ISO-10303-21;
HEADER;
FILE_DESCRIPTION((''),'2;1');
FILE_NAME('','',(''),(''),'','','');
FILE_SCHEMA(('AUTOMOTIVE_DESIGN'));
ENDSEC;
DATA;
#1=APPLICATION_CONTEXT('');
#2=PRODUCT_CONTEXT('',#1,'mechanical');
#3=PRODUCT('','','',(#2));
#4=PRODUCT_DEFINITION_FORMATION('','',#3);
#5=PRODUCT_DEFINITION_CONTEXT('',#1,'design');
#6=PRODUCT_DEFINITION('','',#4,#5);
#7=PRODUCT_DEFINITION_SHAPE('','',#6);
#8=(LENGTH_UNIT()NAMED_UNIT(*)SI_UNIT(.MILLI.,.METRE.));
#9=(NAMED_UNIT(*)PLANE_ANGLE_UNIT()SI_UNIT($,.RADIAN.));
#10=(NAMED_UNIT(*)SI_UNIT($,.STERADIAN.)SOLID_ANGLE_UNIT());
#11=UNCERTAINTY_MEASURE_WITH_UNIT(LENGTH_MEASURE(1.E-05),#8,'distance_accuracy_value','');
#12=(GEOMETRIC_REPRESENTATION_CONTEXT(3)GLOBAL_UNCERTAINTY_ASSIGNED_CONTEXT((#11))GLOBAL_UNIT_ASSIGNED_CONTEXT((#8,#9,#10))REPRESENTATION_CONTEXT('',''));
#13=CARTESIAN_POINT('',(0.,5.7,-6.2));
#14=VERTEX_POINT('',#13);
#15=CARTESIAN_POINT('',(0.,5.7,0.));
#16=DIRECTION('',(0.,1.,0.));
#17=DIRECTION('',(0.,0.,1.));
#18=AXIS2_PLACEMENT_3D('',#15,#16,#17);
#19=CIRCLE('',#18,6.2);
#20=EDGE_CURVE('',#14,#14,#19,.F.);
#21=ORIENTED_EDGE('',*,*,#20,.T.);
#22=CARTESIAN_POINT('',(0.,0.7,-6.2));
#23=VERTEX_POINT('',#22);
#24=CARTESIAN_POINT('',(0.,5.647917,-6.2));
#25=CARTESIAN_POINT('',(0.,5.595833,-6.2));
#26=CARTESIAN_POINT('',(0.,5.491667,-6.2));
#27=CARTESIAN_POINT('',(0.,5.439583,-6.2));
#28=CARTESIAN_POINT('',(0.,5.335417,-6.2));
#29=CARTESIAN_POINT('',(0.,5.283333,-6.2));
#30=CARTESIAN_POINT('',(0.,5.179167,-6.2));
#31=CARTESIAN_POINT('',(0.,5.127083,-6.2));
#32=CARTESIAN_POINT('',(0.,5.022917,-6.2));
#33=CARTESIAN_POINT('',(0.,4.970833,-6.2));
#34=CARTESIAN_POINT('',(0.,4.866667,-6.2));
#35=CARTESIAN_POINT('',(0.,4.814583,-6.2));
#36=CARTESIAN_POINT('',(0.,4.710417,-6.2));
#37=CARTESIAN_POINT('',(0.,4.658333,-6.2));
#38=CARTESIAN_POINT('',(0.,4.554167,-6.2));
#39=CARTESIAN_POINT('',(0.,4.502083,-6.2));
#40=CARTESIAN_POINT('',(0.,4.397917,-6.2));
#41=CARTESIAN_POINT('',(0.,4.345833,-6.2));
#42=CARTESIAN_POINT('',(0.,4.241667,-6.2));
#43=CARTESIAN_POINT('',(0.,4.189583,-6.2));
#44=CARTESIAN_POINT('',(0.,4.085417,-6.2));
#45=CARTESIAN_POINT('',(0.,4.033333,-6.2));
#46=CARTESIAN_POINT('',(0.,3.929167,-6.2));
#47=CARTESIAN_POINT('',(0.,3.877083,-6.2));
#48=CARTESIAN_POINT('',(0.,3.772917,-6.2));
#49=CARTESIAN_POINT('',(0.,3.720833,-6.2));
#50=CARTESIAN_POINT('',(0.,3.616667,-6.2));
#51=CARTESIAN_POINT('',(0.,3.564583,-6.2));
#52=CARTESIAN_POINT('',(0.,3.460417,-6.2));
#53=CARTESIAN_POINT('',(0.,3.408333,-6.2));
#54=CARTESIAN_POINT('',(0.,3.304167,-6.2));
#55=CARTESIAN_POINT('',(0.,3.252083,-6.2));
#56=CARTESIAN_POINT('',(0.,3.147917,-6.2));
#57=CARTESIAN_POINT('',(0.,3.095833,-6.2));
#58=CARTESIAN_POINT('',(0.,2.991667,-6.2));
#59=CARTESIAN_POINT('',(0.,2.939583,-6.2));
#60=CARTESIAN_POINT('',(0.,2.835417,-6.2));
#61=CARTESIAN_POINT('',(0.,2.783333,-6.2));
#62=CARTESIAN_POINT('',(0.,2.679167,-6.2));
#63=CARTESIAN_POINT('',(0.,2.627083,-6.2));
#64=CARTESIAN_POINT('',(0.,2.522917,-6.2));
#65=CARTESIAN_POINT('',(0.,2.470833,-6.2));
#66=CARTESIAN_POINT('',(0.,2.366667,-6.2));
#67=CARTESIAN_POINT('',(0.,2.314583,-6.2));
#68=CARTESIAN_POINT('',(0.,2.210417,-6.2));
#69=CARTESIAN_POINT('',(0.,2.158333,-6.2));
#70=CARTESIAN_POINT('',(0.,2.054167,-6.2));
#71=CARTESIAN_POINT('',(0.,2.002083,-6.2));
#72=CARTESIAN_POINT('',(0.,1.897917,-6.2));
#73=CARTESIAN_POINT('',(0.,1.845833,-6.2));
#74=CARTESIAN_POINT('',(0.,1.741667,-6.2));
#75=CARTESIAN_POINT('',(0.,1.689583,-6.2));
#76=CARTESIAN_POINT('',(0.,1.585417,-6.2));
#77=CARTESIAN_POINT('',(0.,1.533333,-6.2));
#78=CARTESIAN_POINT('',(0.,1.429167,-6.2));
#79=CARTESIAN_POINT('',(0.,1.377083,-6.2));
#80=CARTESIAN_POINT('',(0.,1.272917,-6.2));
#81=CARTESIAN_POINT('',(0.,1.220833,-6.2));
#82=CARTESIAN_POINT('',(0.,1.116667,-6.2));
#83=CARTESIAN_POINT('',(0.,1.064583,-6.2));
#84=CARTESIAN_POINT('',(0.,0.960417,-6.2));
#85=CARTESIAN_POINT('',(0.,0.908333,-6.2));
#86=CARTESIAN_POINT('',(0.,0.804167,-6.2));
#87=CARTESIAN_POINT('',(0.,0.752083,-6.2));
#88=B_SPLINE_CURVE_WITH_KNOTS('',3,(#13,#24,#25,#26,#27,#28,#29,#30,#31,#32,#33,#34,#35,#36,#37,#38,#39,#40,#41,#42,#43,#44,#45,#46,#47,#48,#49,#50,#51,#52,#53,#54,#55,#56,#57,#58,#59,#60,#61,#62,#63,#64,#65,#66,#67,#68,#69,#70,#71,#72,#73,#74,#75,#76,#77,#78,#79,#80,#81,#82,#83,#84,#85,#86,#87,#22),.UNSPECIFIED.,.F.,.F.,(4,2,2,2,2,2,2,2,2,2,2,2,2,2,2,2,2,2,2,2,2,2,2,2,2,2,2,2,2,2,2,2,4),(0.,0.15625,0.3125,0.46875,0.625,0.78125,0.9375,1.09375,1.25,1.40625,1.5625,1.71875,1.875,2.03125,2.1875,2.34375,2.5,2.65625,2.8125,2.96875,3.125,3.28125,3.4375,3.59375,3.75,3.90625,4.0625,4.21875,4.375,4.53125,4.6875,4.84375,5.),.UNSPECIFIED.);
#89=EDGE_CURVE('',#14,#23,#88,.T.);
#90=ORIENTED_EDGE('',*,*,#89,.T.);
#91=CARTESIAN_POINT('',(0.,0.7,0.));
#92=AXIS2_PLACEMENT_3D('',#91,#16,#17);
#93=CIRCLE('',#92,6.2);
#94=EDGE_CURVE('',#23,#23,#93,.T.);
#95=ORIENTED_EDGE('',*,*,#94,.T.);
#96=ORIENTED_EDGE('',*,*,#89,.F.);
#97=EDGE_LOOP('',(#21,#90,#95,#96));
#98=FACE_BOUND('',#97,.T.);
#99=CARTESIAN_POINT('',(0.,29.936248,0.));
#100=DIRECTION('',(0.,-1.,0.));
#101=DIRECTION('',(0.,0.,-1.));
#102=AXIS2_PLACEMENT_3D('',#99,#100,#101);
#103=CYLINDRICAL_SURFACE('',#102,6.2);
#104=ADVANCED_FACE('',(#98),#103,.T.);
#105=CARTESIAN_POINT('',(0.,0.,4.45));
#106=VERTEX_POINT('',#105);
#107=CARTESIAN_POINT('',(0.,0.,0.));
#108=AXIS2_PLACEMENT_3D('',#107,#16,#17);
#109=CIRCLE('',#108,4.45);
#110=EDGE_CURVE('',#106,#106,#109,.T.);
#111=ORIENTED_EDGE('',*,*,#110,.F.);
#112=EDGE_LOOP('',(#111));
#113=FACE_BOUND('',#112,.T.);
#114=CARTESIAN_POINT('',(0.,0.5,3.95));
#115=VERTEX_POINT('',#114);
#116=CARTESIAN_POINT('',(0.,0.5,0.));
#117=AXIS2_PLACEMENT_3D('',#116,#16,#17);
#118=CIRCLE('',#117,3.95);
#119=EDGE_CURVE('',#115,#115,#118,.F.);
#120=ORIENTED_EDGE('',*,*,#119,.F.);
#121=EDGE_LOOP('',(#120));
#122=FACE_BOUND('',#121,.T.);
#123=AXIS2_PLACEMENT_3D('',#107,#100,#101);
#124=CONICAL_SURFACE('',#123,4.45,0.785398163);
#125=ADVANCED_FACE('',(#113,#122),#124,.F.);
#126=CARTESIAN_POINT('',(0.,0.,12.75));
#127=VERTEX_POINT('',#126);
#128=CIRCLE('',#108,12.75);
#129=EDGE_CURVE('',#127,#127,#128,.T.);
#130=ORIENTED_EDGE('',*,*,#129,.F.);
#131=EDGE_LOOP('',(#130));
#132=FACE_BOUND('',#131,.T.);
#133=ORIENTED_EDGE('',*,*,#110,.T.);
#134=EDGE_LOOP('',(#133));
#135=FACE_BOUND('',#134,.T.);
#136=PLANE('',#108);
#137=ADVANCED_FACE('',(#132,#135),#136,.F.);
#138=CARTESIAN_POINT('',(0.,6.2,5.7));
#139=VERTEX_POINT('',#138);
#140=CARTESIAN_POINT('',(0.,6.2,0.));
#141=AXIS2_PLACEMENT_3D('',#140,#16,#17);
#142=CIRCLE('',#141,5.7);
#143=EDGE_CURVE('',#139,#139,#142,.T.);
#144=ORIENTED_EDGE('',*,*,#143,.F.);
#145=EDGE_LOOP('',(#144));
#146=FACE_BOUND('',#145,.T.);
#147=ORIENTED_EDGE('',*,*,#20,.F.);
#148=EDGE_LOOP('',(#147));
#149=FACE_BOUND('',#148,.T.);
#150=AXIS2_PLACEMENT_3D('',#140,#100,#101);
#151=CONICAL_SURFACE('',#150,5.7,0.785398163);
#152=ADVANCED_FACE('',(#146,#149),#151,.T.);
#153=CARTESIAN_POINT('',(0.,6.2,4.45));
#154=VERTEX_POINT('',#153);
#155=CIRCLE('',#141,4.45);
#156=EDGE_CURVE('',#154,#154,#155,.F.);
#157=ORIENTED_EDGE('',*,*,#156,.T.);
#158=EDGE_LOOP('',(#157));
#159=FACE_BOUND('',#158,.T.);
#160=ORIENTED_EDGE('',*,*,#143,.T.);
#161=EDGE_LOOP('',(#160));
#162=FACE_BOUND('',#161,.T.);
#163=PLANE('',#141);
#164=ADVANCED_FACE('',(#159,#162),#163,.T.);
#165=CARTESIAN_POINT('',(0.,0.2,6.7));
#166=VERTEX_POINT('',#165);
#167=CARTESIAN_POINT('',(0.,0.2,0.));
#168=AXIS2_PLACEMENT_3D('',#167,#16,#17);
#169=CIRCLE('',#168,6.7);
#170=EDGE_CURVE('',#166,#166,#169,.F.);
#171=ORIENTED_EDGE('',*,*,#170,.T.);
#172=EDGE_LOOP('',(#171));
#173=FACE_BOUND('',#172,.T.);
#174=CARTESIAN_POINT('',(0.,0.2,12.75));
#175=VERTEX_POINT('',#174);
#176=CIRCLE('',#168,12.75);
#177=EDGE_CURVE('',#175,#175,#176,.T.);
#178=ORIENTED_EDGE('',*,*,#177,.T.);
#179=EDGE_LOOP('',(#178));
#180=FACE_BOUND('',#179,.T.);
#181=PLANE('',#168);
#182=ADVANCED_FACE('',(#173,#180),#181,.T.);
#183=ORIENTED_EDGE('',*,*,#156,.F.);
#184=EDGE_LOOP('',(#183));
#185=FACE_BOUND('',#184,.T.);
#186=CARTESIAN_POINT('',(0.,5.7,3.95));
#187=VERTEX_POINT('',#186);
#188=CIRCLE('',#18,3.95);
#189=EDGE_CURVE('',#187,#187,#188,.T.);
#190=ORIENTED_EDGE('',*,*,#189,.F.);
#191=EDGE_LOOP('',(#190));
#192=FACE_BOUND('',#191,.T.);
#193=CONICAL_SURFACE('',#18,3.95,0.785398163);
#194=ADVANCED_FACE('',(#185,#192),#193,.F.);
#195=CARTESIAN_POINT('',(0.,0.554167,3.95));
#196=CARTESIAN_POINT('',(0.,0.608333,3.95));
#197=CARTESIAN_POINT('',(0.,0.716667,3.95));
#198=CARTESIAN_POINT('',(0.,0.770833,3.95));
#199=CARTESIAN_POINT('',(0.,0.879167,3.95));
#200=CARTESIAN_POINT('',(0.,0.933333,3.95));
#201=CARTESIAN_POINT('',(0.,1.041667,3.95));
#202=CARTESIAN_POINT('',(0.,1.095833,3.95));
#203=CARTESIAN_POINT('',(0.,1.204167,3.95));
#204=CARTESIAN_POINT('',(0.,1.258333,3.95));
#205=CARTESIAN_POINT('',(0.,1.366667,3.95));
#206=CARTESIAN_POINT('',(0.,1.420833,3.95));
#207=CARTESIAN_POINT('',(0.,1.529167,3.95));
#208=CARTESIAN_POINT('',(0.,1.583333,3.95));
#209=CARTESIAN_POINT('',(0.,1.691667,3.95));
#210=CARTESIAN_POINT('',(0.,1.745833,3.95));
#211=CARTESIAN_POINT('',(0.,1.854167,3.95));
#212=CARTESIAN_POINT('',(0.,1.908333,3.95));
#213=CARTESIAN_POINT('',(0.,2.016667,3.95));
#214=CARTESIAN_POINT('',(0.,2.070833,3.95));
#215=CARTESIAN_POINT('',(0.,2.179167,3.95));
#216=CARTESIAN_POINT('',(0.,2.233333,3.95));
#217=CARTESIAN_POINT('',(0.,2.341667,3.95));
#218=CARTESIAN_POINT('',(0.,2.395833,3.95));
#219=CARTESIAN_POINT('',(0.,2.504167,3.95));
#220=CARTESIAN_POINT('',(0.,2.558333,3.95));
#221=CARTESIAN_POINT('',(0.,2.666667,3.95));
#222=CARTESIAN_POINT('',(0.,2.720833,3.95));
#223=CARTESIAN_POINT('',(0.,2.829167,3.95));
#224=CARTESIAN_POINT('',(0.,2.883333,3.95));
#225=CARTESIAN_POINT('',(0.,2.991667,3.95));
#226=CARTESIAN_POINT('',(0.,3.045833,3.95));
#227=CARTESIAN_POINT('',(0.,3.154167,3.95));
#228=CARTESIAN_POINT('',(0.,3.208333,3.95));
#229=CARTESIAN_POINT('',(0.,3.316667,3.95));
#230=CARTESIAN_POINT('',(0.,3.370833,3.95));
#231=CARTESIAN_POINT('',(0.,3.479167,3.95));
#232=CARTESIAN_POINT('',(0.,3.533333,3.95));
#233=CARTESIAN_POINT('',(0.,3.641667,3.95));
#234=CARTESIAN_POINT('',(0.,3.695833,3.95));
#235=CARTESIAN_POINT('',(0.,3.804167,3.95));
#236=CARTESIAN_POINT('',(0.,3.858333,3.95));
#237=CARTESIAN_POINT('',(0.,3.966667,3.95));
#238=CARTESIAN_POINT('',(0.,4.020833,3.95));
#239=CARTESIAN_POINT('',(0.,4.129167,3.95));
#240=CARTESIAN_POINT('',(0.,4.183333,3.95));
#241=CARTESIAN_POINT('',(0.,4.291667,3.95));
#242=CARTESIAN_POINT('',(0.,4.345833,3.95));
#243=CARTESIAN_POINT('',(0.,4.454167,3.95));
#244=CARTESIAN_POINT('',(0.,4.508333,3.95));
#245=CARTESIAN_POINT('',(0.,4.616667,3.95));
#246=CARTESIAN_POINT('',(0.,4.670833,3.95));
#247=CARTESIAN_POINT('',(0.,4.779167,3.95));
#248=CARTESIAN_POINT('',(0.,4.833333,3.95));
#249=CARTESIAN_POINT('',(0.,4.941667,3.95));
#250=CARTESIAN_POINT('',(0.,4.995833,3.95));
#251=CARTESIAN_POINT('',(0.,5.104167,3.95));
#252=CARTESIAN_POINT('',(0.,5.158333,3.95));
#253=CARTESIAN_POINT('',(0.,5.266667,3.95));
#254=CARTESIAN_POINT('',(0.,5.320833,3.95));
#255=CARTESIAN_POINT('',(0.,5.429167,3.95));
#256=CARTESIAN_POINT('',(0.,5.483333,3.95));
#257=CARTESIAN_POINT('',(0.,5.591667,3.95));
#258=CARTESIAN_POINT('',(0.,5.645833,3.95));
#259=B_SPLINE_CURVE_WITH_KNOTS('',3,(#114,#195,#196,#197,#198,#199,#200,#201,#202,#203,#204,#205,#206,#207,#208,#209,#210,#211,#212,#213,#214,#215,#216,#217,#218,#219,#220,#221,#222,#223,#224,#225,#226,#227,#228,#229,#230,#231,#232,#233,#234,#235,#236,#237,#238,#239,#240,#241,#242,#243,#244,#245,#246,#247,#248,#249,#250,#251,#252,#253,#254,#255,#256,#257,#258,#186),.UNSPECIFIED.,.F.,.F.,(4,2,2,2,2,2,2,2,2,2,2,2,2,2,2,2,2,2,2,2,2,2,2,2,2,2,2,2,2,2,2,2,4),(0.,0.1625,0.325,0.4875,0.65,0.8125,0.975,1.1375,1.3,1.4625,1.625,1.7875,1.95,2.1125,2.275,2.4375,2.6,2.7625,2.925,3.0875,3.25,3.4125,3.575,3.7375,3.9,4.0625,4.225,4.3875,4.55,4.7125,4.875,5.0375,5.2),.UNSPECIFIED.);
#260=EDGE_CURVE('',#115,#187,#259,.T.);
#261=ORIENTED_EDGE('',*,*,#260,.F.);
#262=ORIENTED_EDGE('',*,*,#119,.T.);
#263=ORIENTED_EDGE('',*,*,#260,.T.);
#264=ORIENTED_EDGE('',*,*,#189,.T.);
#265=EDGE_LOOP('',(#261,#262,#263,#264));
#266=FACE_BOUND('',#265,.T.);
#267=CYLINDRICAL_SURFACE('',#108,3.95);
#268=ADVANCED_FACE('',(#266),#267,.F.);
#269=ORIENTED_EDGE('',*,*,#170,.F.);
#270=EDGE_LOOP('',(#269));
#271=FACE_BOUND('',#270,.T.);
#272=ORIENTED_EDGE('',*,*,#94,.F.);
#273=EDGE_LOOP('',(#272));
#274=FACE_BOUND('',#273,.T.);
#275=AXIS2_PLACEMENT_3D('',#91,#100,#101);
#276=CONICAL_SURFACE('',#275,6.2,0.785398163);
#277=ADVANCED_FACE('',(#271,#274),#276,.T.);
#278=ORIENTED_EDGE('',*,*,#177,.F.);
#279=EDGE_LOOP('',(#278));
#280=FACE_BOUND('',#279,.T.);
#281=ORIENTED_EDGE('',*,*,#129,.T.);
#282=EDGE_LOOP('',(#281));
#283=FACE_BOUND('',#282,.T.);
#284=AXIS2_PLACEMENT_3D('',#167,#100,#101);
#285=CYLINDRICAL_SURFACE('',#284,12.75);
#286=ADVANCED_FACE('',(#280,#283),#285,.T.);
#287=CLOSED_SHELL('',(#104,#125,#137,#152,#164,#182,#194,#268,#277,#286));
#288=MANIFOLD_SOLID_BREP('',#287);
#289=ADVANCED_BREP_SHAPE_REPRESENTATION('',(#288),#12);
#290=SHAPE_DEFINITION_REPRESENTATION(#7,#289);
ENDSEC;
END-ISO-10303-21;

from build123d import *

# Parameters (mm, degrees)
SKETCH_1_R          = 12.75
EXTRUDE_1_DEPTH     = 0.2
SKETCH_2_R          = 6.2
EXTRUDE_2_DEPTH     = 6
SKETCH_3_R          = 3.95
CUT_EXTRUDE_1_DEPTH = 20.067380523
CHAMFER_1_SIZE      = 0.5


with BuildPart() as part:
    # Эскиз1 → Бобышка-Вытянуть1 (new body)
    with BuildSketch(Plane(origin=(0, 0, 0), x_dir=(1, 0, 0), z_dir=(0, 1, 0))):
        with Locations(Location((0, 0, 0), (0, 0, 270))):
            Circle(SKETCH_1_R)
    extrude(amount=EXTRUDE_1_DEPTH)

    # Эскиз2 → Бобышка-Вытянуть2 (add)
    with BuildSketch(Plane(origin=(0, 0.2, 0), x_dir=(1, 0, 0), z_dir=(0, 1, 0))):
        with Locations(Location((0, 0, 0), (0, 0, 90))):
            Circle(SKETCH_2_R)
    extrude(amount=EXTRUDE_2_DEPTH)

    # Эскиз3 → Вырез-Вытянуть1 (cut, through all)
    with BuildSketch(Plane(origin=(0, 6.2, 0), x_dir=(1, 0, 0), z_dir=(0, 1, 0))):
        with Locations(Location((0, 0, 0), (0, 0, 270))):
            Circle(SKETCH_3_R)
    extrude(amount=-CUT_EXTRUDE_1_DEPTH, mode=Mode.SUBTRACT)

    # Фаска1
    chamfer_1_edges = [part.edges().sort_by_distance(p)[0] for p in [
        (0, 0, -3.95),
        (0, 6.2, -3.95),
        (0, 0.2, 6.2),
        (0, 6.2, 6.2),
    ]]
    chamfer(chamfer_1_edges, length=CHAMFER_1_SIZE)


solid = part.part
